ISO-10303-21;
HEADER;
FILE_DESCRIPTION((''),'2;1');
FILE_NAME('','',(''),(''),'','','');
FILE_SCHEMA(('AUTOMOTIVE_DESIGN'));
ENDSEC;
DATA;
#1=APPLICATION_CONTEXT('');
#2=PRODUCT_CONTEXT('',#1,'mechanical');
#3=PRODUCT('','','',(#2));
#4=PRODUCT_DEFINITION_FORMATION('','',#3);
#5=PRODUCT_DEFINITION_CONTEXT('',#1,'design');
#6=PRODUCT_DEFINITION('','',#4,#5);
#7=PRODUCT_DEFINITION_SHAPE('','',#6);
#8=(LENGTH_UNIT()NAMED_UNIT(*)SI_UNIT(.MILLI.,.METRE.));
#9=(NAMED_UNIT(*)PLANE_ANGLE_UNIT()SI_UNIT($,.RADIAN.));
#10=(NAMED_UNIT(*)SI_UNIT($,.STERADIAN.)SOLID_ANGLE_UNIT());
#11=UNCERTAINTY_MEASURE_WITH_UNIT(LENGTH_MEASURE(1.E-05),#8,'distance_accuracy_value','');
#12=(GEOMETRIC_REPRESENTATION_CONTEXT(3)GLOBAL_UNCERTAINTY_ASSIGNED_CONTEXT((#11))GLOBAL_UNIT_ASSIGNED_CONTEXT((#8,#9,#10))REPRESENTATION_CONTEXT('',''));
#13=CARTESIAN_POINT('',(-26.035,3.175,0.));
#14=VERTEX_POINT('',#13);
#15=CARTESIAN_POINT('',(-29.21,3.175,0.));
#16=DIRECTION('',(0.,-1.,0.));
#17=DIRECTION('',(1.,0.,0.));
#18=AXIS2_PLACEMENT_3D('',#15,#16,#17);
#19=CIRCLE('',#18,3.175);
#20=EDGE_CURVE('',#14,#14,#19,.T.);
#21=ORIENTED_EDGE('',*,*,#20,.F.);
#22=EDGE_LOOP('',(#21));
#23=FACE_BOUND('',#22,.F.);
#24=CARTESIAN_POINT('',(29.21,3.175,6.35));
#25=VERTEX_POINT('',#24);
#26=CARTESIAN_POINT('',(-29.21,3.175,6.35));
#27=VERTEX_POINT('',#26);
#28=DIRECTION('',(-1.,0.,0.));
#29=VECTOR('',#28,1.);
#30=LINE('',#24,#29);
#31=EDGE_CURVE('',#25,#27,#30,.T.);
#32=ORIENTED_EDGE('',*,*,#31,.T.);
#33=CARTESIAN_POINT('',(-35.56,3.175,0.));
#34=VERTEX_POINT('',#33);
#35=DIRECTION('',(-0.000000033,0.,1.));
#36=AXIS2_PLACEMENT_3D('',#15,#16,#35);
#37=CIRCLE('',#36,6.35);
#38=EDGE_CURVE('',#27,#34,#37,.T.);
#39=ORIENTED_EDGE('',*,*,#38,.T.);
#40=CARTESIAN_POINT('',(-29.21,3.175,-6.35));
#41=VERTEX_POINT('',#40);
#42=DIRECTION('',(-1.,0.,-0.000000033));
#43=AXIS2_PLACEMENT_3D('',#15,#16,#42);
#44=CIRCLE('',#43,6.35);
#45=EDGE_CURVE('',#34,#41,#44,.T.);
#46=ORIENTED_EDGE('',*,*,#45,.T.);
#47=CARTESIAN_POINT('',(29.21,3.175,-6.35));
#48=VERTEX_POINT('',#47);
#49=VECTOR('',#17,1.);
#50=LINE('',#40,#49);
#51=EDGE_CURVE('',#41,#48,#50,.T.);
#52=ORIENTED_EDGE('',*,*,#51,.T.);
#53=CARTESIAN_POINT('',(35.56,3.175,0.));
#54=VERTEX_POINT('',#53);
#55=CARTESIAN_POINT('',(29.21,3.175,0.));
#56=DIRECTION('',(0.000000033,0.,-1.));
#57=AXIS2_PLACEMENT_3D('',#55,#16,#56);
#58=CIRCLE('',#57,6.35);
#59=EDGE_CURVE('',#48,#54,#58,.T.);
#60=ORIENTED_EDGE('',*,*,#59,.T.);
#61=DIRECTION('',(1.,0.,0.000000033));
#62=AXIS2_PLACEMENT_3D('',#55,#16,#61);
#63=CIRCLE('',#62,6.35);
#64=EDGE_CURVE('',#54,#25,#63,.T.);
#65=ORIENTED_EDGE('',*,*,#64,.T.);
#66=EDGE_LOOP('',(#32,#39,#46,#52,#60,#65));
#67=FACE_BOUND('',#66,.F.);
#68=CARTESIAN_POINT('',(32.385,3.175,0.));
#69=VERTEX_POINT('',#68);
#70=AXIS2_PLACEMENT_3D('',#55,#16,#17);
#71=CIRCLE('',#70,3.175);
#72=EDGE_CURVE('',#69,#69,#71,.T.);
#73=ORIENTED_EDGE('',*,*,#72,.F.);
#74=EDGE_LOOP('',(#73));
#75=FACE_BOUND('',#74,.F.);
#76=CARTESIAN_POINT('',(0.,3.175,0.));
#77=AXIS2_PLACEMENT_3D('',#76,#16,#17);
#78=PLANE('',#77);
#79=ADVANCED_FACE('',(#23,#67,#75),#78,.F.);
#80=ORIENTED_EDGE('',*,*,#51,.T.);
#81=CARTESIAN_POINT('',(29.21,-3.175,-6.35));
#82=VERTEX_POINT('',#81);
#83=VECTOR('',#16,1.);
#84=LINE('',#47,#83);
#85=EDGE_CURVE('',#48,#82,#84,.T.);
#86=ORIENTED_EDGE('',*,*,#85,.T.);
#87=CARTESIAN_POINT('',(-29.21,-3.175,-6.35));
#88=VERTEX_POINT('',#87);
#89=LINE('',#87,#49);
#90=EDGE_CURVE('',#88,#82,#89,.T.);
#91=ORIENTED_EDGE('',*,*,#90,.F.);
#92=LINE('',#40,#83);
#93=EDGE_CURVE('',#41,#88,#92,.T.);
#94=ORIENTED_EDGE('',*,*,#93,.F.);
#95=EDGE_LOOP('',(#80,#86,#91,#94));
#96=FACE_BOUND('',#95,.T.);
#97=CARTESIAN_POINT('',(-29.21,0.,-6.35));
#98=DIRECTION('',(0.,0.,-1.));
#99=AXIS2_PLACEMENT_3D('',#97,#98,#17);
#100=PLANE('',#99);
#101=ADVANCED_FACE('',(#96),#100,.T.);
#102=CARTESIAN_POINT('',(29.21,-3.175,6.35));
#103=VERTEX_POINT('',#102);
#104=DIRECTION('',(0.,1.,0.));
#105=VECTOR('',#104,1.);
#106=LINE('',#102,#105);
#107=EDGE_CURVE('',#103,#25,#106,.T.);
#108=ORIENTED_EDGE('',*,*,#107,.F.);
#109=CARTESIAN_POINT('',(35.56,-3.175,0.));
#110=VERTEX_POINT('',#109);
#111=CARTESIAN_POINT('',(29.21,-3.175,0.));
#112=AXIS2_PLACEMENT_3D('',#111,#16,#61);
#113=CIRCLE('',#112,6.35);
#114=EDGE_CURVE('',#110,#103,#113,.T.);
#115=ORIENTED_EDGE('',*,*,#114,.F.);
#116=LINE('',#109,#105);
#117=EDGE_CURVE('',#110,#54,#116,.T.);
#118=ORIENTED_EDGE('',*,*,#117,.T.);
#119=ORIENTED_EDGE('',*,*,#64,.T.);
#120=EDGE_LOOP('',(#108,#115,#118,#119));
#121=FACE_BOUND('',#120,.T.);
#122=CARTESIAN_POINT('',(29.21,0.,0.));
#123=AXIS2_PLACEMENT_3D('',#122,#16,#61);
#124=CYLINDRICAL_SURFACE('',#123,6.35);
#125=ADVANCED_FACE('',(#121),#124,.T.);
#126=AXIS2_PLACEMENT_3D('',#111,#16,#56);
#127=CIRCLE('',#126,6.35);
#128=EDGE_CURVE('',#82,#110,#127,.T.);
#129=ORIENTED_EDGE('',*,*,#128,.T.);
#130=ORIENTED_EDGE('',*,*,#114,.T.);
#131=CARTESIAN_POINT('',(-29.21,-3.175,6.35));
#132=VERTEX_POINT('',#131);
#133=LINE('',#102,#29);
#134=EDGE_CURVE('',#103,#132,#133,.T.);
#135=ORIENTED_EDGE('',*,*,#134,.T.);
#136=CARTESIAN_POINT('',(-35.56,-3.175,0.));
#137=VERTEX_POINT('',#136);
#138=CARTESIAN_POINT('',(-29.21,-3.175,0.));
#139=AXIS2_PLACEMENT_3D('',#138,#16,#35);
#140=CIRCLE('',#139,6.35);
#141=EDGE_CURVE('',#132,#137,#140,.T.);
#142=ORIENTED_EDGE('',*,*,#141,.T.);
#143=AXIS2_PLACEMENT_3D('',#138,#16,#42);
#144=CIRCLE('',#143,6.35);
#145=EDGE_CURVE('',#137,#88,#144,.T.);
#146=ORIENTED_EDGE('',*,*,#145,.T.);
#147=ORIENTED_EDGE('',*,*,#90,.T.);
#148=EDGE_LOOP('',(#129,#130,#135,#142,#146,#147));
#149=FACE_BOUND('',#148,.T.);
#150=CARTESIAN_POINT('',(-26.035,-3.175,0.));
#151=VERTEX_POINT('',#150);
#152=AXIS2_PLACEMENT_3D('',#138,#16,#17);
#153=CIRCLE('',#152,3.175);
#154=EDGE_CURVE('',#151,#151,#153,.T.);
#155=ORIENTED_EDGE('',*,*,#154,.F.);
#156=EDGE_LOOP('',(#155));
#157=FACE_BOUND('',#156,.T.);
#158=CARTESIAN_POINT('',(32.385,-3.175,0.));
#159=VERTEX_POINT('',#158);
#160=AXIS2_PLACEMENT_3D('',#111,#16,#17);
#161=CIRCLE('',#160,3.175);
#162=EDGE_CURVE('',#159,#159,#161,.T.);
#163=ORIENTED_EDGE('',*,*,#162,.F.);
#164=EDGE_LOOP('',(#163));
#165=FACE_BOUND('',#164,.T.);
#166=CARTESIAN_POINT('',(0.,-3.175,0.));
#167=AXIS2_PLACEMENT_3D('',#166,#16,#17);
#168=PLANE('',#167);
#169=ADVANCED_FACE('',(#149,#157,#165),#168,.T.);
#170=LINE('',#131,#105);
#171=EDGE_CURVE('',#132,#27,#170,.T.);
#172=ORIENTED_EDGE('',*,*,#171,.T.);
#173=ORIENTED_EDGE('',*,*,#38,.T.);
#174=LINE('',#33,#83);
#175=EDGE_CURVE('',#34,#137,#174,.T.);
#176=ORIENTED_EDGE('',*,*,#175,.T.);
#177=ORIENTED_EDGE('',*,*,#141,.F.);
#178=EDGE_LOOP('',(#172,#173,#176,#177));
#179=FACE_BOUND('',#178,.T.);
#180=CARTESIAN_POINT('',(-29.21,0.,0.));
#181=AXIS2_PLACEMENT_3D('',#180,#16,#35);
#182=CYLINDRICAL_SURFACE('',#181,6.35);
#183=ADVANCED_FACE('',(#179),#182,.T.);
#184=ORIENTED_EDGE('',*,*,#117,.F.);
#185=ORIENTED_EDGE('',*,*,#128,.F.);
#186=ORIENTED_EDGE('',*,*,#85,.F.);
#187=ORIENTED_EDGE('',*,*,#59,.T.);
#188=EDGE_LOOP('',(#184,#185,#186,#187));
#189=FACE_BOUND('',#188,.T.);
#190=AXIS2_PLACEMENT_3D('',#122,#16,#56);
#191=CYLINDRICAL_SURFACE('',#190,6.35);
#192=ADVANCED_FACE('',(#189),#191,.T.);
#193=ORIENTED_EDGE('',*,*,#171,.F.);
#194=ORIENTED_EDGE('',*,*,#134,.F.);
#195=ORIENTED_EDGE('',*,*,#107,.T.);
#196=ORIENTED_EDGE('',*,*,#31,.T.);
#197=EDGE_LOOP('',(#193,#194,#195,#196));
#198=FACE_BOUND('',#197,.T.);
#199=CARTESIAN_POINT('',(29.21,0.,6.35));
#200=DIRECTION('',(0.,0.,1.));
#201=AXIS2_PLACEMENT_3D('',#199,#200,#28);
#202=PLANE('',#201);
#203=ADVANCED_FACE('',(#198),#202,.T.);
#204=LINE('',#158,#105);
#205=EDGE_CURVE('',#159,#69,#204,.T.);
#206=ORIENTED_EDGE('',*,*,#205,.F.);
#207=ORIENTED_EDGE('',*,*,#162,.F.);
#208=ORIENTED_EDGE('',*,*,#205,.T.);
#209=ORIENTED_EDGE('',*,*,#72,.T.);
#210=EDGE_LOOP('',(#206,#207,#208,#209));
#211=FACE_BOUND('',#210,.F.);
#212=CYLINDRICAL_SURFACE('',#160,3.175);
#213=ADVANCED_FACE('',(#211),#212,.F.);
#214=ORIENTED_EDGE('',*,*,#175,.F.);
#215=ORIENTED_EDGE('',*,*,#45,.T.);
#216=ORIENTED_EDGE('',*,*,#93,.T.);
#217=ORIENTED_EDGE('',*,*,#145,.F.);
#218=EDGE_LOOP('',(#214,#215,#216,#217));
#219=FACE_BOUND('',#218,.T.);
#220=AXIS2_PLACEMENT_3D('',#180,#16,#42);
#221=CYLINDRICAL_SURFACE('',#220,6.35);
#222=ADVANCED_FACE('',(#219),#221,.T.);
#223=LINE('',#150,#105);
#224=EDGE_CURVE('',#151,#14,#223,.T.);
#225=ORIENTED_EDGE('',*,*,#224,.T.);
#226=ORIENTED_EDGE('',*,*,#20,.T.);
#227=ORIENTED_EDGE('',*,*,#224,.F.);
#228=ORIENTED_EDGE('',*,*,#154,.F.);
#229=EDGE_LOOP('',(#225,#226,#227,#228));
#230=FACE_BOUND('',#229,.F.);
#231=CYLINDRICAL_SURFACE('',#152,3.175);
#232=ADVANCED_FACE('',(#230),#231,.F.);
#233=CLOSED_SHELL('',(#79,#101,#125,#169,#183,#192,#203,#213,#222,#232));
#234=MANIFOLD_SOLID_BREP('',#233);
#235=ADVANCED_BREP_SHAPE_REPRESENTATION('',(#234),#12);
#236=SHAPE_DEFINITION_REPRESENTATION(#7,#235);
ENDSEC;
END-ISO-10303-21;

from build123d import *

# Parameters (mm, degrees)
F1_DEPTH = 3.175
F2_R     = 3.175
F3_DEPTH = 6.351


with BuildPart() as f1:
    # F0 (on Front) → F1 (new body, symmetric)
    with BuildSketch(Plane.XZ):
        with BuildLine():
            Line((0, 6.35), (-29.21, 6.35))
            ThreePointArc((-29.21, 6.35), (-33.700128, 4.490128), (-35.56, 0))
            ThreePointArc((-35.56, 0), (-33.700128, -4.490128), (-29.21, -6.35))
            Line((-29.21, -6.35), (0, -6.35))
            Line((0, -6.35), (29.21, -6.35))
            ThreePointArc((29.21, -6.35), (33.700128, -4.490128), (35.56, 0))
            ThreePointArc((35.56, 0), (33.700128, 4.490128), (29.21, 6.35))
            Line((29.21, 6.35), (0, 6.35))
        make_face()
    extrude(amount=F1_DEPTH, both=True)

    # F2 (on face) → F3 (cut, through all)
    with BuildSketch(Plane.XZ.offset(3.175)):
        with Locations((-29.21, 0)):
            Circle(F2_R)
        with Locations((29.21, 0)):
            Circle(F2_R)
    extrude(amount=-F3_DEPTH, mode=Mode.SUBTRACT)


solid = f1.part
